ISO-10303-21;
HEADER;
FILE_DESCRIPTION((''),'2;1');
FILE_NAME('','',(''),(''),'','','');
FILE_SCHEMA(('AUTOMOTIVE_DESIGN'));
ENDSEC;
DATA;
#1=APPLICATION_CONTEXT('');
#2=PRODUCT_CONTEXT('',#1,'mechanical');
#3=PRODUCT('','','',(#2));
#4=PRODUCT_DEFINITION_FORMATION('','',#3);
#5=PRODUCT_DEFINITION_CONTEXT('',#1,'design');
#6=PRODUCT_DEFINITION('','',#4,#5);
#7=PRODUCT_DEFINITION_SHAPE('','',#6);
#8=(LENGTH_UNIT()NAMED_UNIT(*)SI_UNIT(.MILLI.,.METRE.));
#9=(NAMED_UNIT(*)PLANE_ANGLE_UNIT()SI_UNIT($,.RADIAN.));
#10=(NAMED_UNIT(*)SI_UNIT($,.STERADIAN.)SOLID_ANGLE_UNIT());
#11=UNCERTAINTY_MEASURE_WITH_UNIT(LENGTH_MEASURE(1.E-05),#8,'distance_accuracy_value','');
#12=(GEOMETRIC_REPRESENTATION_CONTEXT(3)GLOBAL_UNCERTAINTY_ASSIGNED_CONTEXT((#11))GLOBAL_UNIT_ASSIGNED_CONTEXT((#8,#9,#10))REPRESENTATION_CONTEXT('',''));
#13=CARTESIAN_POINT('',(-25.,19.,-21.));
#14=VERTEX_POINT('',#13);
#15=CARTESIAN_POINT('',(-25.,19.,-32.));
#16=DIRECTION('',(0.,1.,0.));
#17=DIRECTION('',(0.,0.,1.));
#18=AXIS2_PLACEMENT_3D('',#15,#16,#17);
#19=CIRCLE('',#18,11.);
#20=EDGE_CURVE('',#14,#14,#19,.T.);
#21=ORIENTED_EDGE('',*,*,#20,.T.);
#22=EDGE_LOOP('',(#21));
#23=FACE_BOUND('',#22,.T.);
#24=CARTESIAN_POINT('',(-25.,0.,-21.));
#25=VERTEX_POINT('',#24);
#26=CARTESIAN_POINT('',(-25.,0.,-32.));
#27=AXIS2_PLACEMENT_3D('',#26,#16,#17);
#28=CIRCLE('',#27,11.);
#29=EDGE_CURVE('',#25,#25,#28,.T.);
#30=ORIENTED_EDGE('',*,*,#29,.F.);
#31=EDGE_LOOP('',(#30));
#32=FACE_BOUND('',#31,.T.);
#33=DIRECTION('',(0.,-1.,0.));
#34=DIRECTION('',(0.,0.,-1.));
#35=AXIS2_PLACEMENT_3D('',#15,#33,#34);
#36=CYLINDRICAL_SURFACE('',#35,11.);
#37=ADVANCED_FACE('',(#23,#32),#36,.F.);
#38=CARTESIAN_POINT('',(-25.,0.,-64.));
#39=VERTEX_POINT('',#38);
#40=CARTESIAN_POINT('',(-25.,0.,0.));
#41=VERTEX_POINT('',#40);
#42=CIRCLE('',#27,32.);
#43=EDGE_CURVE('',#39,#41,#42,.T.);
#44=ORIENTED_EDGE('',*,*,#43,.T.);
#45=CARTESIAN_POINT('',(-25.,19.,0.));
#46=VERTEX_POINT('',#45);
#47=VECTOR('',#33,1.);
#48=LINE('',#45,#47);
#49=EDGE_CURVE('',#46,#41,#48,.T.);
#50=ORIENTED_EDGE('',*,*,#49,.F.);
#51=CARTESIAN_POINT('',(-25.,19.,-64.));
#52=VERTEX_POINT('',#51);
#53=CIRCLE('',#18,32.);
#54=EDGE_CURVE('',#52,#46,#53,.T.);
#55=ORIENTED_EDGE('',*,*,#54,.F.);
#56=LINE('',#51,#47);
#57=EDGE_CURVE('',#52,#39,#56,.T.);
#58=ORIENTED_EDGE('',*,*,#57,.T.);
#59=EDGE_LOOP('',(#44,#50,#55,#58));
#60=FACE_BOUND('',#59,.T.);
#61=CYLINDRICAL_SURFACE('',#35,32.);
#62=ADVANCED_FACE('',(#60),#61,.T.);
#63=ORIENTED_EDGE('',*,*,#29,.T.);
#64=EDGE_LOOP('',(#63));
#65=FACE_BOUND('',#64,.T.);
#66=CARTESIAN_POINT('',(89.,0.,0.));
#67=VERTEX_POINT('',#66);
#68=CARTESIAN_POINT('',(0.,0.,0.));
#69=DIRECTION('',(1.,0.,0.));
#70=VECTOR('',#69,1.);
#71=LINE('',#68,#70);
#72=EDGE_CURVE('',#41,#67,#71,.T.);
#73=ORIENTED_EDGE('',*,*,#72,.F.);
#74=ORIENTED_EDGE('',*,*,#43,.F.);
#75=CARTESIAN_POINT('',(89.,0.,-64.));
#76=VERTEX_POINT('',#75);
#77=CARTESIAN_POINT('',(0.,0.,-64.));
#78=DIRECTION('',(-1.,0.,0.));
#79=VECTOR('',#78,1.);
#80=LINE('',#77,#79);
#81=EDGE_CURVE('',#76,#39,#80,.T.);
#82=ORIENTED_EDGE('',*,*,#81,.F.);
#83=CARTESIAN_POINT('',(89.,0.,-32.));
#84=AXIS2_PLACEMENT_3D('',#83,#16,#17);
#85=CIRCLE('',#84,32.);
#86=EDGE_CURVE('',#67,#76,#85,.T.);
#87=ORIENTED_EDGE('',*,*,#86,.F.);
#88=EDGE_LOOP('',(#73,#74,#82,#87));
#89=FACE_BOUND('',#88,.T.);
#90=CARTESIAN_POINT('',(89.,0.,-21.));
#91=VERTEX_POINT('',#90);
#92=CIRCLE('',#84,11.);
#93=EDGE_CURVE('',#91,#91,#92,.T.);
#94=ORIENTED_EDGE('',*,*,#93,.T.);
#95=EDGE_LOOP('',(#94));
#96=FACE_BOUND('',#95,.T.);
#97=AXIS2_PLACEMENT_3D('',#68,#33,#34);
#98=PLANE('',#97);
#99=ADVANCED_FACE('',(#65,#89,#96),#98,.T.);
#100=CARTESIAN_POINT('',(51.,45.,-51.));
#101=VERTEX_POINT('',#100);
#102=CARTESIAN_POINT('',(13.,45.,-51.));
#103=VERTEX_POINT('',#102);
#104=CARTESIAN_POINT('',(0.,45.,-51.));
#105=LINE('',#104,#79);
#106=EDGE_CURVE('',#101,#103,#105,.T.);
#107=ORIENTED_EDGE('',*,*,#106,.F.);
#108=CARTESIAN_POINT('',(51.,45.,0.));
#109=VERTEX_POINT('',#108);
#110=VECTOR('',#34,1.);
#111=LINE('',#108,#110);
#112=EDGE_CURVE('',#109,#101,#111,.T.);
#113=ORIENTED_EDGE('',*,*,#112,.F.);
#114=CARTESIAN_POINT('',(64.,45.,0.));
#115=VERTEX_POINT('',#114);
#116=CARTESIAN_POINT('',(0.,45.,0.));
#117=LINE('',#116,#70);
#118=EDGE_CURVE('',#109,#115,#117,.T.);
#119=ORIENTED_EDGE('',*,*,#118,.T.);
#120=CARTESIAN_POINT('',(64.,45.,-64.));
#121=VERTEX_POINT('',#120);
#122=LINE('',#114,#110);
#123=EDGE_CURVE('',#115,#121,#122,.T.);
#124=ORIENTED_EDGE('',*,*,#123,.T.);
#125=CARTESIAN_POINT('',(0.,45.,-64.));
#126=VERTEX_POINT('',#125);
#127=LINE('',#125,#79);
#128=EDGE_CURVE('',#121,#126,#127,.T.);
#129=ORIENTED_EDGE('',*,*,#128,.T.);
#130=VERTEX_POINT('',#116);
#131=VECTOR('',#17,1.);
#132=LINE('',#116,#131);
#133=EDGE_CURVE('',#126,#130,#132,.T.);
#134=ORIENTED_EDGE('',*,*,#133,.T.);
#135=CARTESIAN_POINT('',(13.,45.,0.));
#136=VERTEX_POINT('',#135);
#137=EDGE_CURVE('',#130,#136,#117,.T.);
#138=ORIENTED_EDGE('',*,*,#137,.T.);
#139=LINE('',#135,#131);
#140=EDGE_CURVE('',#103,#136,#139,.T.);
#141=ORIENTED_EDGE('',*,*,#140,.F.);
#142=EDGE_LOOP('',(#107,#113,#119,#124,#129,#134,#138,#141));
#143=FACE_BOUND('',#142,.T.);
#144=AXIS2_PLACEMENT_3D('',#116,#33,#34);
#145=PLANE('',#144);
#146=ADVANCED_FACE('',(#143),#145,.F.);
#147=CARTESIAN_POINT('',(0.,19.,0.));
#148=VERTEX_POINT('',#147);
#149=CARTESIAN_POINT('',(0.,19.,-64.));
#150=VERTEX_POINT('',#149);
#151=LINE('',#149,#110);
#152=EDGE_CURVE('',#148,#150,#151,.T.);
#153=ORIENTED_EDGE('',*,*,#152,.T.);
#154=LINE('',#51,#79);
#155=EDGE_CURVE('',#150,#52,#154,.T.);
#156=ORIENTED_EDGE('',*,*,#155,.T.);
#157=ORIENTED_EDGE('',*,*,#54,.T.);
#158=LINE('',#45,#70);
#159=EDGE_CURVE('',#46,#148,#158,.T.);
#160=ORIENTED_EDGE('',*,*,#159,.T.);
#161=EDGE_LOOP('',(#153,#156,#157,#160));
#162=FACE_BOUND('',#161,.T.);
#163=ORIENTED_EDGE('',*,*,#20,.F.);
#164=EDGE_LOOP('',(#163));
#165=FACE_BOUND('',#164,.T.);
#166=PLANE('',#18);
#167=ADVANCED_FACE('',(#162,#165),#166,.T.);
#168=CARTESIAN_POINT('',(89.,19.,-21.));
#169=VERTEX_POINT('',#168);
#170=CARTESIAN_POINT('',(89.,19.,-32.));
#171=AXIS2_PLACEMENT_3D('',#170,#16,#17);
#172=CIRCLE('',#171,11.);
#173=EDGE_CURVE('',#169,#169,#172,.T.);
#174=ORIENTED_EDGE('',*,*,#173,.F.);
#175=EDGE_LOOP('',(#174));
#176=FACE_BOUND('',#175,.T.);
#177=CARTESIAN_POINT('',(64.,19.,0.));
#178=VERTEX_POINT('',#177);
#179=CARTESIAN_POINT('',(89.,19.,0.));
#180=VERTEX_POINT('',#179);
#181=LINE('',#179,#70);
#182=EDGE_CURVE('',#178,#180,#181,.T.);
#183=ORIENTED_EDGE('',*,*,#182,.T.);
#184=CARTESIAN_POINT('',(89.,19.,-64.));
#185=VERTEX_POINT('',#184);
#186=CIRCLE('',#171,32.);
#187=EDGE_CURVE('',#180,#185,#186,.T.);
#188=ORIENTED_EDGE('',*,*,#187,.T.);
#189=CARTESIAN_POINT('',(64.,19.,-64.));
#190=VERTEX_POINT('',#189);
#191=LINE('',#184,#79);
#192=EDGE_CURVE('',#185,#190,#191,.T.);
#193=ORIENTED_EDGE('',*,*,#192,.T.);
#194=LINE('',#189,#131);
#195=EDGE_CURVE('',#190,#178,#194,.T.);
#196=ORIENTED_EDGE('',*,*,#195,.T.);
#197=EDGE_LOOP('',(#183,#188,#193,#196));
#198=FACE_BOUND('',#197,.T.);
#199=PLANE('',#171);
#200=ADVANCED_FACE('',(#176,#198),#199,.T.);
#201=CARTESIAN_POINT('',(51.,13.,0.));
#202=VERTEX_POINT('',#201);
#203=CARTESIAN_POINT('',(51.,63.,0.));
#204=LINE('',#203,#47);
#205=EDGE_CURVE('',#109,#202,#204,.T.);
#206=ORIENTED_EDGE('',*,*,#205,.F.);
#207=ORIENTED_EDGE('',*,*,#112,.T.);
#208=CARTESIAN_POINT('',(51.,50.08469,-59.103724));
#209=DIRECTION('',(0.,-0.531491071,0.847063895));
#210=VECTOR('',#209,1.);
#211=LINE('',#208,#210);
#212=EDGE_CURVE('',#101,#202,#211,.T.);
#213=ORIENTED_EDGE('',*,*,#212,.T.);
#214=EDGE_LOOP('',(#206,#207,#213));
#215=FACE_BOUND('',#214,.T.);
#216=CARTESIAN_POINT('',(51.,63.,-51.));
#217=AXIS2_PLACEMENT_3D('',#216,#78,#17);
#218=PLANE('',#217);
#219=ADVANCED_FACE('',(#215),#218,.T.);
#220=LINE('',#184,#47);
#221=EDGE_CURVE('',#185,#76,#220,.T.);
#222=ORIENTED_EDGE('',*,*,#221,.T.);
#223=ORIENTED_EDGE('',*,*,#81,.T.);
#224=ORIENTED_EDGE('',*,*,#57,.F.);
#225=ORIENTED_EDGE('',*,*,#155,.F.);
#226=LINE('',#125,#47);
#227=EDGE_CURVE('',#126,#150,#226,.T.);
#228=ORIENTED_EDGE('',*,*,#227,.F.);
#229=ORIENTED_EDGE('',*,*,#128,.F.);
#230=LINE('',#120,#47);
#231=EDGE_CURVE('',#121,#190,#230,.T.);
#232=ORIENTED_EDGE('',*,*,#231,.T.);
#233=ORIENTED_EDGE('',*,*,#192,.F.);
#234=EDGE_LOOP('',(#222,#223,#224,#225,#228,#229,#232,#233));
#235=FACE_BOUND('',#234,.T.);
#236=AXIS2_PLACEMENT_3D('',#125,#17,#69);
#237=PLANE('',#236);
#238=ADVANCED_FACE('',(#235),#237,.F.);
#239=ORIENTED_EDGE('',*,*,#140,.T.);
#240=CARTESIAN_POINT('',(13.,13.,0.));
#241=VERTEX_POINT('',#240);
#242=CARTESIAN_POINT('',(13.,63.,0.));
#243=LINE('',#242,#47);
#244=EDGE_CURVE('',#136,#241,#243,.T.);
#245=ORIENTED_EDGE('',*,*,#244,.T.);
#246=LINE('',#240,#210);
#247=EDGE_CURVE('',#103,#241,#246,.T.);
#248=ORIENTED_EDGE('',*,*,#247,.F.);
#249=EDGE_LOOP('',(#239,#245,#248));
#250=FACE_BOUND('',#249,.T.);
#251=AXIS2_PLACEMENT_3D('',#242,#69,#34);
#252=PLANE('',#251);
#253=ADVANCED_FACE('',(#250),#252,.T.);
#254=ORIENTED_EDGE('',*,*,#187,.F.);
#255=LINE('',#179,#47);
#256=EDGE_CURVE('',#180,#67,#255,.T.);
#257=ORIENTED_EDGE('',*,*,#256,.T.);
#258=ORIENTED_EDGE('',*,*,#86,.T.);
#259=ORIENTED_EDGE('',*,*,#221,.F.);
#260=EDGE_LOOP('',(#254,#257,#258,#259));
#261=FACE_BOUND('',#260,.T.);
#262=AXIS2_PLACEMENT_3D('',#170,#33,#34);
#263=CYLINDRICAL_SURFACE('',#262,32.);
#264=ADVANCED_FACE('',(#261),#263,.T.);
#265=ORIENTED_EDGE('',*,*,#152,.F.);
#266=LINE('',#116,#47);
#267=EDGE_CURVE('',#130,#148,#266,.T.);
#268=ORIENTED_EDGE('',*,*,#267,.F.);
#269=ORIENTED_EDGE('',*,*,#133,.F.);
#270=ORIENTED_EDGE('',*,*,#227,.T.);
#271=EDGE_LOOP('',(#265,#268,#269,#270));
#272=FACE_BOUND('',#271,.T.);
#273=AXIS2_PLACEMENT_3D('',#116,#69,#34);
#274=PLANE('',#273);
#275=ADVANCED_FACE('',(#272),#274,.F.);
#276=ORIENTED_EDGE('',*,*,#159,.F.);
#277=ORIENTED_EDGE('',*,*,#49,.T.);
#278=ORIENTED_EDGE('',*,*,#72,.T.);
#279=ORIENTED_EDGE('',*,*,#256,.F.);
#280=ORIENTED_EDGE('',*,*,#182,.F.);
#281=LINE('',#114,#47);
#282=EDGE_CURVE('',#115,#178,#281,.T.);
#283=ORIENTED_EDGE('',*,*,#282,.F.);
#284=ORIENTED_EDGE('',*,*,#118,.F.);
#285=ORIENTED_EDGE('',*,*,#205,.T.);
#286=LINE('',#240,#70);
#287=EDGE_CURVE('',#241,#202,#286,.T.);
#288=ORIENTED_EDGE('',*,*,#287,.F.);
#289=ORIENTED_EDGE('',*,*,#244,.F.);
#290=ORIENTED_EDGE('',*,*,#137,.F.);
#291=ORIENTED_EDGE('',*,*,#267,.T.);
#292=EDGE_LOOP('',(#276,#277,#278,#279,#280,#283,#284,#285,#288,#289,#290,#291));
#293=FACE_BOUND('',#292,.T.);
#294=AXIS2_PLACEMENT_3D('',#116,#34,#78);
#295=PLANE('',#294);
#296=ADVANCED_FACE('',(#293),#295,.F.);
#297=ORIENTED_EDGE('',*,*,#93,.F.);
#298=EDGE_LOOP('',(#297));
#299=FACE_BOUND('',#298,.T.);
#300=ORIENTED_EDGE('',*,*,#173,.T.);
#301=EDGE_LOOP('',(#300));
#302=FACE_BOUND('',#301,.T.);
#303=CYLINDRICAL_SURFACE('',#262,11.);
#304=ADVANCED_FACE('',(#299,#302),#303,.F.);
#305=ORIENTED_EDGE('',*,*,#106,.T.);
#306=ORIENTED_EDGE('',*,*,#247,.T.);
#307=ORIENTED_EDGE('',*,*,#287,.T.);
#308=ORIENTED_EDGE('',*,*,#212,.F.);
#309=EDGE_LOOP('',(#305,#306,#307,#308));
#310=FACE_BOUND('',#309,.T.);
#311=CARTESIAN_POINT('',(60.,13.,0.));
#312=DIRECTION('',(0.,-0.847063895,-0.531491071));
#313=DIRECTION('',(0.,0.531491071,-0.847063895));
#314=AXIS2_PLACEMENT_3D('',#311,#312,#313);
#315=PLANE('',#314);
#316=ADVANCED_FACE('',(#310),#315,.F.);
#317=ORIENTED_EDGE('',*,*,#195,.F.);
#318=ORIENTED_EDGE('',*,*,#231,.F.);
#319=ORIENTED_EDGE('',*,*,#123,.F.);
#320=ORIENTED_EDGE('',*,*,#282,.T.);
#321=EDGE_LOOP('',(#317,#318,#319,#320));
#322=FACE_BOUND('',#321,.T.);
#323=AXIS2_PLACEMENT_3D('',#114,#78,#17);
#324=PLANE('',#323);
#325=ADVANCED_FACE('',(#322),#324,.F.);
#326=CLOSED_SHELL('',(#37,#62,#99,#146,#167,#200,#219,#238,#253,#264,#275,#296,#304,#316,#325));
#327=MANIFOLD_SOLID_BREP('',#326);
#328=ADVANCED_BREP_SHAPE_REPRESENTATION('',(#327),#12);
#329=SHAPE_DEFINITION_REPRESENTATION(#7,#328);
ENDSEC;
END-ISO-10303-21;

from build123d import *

# Parameters (mm, degrees)
SKETCH1_W           = 64
SKETCH1_H           = 64
BOSS_EXTRUDE1_DEPTH = 45
SKETCH2_R           = 11
BOSS_EXTRUDE4_DEPTH = 19
SKETCH10_W          = 38
SKETCH10_H          = 51
CUT_EXTRUDE5_DEPTH  = 63
SKETCH12_W          = 38
SKETCH12_H          = 51
BOSS_EXTRUDE5_DEPTH = 13
BOSS_EXTRUDE6_DEPTH = 47


with BuildPart() as part:
    # Sketch1 → Boss-Extrude1 (new body)
    with BuildSketch(Plane(origin=(0, 0, 0), x_dir=(1, 0, 0), z_dir=(0, 1, 0))):
        with Locations((32, 32)):
            Rectangle(SKETCH1_W, SKETCH1_H)
    extrude(amount=BOSS_EXTRUDE1_DEPTH)

    # Sketch2 → Boss-Extrude4 (add)
    # profile 1 of 2: a face of its own
    with BuildSketch(Plane(origin=(0, 0, 0), x_dir=(1, 0, 0), z_dir=(0, 1, 0))):
        with BuildLine():
            Line((0, 64), (0, 0))
            Line((0, 0), (-25, 0))
            ThreePointArc((-25, 0), (-57, 32), (-25, 64))
            Line((-25, 64), (0, 64))
        make_face()
        with Locations(Location((-25, 32, 0), (0, 0, 270))):
            Circle(SKETCH2_R, mode=Mode.SUBTRACT)
    # profile 2 of 2: a face of its own
    with BuildSketch(Plane(origin=(0, 0, 0), x_dir=(1, 0, 0), z_dir=(0, 1, 0))):
        with BuildLine():
            Line((89, 0), (64, 0))
            Line((64, 0), (64, 64))
            Line((64, 64), (89, 64))
            ThreePointArc((89, 64), (121, 32), (89, 0))
        make_face()
        with Locations(Location((89, 32, 0), (0, 0, 270))):
            Circle(SKETCH2_R, mode=Mode.SUBTRACT)
    extrude(amount=BOSS_EXTRUDE4_DEPTH)

    # Sketch10 → Cut-Extrude5 (cut)
    with BuildSketch(Plane(origin=(0, 0, 0), x_dir=(1, 0, 0), z_dir=(0, 1, 0))):
        with Locations((32, 25.5)):
            Rectangle(SKETCH10_W, SKETCH10_H)
    extrude(amount=CUT_EXTRUDE5_DEPTH, mode=Mode.SUBTRACT)

    # Sketch12 → Boss-Extrude5 (add)
    with BuildSketch(Plane(origin=(0, 0, 0), x_dir=(1, 0, 0), z_dir=(0, 1, 0))):
        with Locations((32, 25.5)):
            Rectangle(SKETCH12_W, SKETCH12_H)
    extrude(amount=BOSS_EXTRUDE5_DEPTH)

    # Sketch13 → Boss-Extrude6 (add)
    with BuildSketch(Plane(origin=(13, 0, 0), x_dir=(0, 0, -1), z_dir=(1, 0, 0))):
        Polygon((0, 13), (51, 45), (51, 13), align=None)
    extrude(amount=BOSS_EXTRUDE6_DEPTH)


solid = part.part
